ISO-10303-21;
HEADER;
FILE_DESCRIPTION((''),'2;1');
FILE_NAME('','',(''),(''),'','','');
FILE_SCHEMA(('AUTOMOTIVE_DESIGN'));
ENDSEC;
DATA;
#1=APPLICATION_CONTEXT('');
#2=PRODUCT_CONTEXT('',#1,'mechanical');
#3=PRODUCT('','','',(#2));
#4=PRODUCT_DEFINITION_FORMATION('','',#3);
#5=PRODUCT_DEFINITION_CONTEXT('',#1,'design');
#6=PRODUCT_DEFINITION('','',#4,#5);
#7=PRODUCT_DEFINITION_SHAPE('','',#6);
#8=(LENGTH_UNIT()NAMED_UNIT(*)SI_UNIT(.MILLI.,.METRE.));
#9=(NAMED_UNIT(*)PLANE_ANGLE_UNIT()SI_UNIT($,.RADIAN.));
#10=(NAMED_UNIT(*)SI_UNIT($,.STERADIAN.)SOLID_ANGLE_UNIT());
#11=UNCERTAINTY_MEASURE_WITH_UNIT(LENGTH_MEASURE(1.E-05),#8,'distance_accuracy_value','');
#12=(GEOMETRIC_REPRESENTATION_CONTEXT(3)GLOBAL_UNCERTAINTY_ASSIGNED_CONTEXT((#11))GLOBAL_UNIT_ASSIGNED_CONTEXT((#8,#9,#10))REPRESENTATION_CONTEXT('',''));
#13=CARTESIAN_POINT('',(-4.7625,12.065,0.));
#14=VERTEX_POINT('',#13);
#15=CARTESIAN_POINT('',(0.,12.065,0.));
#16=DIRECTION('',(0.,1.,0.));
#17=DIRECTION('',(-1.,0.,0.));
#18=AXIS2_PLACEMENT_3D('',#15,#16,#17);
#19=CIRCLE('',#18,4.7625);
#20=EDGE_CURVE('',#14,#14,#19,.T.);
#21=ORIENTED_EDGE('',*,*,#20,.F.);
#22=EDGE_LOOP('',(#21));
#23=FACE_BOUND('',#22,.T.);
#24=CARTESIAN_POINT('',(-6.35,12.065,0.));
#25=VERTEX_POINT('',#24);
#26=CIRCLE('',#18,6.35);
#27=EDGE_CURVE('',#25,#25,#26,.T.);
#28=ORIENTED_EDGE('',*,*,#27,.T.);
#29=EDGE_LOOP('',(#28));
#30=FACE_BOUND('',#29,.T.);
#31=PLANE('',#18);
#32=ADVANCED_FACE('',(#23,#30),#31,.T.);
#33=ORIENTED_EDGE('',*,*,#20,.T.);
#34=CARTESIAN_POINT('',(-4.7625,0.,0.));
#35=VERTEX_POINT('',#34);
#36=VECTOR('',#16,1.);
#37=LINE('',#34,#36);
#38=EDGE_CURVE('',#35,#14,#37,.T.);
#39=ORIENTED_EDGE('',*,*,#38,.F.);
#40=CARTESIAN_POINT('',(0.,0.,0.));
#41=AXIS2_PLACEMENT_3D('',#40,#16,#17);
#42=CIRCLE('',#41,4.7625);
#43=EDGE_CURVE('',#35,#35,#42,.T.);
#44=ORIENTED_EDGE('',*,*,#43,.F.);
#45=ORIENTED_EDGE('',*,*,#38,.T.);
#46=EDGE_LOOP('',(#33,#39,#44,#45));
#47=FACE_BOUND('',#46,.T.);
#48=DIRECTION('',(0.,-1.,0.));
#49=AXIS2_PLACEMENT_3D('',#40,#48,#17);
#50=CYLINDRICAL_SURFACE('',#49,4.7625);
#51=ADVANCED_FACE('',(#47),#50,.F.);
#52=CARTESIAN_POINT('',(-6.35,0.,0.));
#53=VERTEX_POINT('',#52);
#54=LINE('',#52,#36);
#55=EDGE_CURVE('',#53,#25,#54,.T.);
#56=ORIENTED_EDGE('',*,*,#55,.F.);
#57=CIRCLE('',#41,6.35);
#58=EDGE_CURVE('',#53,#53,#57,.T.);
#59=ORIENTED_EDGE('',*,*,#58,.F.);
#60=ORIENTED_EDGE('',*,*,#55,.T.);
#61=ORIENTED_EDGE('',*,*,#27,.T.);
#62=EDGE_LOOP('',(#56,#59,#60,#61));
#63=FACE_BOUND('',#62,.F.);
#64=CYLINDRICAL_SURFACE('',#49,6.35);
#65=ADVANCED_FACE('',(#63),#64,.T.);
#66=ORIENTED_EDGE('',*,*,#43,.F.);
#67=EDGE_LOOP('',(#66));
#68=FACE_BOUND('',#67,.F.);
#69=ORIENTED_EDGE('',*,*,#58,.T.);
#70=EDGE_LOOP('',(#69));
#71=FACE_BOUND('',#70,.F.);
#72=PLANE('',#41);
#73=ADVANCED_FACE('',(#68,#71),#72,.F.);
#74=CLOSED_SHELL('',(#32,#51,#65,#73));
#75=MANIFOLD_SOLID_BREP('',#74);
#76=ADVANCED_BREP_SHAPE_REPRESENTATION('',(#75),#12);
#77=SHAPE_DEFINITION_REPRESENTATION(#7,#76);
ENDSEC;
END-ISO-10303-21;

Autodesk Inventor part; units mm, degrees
ref_plane "YZ Plane" through (0, 0, 0) normal (1, 0, 0) x (0, 1, 0)
ref_plane "XZ Plane" through (0, 0, 0) normal (0, 1, 0) x (-1, 0, 0)
ref_plane "XY Plane" through (0, 0, 0) normal (0, 0, 1) x (1, 0, 0)
sketch "Sketch1" plane through (0, 0, 0) normal (0, 1, 0) x (-1, 0, 0)
  circle A0 centre (0, 0) radius 4.7625
  circle A1 centre (0, 0) radius 6.35
  dimension "d0" = 1.5875
  dimension "d1" = 12.7
extrude "Extrusion1" add sketch "Sketch1" along normal blind 12.065
properties part number "Cablepipe" material "ABS Plastic"
